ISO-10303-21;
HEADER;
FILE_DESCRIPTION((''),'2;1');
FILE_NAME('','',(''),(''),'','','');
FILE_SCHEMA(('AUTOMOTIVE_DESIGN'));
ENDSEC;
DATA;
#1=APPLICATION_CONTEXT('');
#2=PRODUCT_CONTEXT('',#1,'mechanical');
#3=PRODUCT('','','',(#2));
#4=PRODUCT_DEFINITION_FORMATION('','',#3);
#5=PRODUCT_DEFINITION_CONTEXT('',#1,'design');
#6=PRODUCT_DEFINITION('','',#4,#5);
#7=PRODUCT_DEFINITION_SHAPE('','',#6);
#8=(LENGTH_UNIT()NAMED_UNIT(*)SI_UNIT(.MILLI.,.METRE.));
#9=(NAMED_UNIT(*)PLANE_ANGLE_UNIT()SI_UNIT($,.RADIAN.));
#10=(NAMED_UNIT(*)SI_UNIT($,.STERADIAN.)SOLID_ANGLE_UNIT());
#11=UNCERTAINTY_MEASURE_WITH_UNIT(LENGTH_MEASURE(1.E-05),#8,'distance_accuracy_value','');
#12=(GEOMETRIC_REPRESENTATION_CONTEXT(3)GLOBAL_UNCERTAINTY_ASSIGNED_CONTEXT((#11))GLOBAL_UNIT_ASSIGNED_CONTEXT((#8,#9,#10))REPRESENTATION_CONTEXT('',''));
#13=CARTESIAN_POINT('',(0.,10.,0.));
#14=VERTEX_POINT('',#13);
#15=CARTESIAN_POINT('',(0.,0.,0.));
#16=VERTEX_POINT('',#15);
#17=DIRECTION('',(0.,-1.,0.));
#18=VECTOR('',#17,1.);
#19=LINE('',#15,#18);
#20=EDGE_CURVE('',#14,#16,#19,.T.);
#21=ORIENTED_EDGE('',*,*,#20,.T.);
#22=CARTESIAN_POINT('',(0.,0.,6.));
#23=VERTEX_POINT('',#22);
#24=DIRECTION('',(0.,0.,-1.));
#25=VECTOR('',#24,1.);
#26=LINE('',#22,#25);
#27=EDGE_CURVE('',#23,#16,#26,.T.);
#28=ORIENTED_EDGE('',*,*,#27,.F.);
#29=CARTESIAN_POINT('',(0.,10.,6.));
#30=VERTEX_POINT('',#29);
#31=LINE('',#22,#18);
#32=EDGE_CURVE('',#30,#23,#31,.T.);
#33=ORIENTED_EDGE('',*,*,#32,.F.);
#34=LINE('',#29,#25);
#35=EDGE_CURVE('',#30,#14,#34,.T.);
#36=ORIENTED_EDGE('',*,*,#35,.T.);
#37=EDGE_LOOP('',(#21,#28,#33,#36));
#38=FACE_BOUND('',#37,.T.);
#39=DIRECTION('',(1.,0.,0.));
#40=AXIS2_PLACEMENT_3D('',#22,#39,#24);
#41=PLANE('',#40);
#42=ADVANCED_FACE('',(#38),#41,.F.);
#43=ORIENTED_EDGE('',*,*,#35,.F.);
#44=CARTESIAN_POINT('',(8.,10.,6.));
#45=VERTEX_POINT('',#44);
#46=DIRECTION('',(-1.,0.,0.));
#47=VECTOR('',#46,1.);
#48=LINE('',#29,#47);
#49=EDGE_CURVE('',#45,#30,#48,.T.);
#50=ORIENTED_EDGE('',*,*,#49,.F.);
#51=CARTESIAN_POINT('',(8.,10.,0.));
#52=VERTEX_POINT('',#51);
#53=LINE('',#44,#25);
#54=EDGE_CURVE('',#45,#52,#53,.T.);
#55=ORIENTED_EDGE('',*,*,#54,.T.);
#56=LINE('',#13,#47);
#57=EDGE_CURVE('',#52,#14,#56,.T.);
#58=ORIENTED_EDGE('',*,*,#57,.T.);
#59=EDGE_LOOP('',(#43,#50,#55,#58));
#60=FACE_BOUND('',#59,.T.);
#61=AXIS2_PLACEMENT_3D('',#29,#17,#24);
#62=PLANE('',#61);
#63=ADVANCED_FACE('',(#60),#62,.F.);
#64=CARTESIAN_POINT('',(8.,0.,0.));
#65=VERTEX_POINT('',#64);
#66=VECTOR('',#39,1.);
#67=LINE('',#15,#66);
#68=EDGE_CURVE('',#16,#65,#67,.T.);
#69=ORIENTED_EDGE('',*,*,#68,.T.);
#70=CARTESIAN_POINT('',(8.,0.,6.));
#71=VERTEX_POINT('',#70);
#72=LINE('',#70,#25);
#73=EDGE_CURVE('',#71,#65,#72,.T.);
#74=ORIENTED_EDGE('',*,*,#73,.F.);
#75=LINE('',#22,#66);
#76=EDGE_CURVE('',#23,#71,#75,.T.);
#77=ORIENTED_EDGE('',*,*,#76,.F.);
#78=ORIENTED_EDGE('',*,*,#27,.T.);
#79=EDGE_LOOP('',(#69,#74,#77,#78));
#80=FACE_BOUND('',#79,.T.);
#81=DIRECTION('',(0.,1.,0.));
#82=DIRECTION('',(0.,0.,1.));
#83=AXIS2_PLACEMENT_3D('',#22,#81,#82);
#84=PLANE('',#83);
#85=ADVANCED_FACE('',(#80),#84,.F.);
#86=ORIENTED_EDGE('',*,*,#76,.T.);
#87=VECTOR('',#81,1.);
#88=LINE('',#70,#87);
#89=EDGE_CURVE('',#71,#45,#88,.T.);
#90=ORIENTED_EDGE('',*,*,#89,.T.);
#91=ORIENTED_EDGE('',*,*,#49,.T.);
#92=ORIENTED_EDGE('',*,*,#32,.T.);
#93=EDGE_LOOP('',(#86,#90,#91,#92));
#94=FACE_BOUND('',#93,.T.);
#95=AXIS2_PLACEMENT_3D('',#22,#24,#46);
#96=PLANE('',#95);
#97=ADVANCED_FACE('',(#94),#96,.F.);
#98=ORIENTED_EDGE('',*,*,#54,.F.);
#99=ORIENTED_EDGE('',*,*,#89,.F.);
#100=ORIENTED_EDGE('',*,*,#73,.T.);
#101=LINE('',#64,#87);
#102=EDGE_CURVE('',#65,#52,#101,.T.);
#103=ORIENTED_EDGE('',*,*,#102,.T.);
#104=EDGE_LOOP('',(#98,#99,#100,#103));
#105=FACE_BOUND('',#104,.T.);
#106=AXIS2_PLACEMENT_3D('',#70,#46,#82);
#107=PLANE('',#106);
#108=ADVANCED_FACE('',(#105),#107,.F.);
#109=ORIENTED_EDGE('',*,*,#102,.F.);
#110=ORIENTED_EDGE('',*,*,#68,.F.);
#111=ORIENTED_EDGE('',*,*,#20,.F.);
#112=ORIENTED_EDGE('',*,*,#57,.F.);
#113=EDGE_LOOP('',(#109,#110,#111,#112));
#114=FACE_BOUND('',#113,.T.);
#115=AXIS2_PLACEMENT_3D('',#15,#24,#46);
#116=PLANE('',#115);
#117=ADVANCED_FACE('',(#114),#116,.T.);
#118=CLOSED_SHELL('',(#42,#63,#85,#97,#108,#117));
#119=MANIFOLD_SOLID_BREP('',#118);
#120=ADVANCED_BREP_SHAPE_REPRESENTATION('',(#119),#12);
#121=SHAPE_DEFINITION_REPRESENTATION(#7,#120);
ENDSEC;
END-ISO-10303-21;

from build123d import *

# Parameters (mm, degrees)
SKETCH1_W     = 8
SKETCH1_H     = 10
PROFILE_DEPTH = 6


with BuildPart() as part:
    # Sketch1 → Profile (new body)
    with BuildSketch(Plane.XY):
        with Locations((4, 5)):
            Rectangle(SKETCH1_W, SKETCH1_H)
    extrude(amount=PROFILE_DEPTH)


solid = part.part
